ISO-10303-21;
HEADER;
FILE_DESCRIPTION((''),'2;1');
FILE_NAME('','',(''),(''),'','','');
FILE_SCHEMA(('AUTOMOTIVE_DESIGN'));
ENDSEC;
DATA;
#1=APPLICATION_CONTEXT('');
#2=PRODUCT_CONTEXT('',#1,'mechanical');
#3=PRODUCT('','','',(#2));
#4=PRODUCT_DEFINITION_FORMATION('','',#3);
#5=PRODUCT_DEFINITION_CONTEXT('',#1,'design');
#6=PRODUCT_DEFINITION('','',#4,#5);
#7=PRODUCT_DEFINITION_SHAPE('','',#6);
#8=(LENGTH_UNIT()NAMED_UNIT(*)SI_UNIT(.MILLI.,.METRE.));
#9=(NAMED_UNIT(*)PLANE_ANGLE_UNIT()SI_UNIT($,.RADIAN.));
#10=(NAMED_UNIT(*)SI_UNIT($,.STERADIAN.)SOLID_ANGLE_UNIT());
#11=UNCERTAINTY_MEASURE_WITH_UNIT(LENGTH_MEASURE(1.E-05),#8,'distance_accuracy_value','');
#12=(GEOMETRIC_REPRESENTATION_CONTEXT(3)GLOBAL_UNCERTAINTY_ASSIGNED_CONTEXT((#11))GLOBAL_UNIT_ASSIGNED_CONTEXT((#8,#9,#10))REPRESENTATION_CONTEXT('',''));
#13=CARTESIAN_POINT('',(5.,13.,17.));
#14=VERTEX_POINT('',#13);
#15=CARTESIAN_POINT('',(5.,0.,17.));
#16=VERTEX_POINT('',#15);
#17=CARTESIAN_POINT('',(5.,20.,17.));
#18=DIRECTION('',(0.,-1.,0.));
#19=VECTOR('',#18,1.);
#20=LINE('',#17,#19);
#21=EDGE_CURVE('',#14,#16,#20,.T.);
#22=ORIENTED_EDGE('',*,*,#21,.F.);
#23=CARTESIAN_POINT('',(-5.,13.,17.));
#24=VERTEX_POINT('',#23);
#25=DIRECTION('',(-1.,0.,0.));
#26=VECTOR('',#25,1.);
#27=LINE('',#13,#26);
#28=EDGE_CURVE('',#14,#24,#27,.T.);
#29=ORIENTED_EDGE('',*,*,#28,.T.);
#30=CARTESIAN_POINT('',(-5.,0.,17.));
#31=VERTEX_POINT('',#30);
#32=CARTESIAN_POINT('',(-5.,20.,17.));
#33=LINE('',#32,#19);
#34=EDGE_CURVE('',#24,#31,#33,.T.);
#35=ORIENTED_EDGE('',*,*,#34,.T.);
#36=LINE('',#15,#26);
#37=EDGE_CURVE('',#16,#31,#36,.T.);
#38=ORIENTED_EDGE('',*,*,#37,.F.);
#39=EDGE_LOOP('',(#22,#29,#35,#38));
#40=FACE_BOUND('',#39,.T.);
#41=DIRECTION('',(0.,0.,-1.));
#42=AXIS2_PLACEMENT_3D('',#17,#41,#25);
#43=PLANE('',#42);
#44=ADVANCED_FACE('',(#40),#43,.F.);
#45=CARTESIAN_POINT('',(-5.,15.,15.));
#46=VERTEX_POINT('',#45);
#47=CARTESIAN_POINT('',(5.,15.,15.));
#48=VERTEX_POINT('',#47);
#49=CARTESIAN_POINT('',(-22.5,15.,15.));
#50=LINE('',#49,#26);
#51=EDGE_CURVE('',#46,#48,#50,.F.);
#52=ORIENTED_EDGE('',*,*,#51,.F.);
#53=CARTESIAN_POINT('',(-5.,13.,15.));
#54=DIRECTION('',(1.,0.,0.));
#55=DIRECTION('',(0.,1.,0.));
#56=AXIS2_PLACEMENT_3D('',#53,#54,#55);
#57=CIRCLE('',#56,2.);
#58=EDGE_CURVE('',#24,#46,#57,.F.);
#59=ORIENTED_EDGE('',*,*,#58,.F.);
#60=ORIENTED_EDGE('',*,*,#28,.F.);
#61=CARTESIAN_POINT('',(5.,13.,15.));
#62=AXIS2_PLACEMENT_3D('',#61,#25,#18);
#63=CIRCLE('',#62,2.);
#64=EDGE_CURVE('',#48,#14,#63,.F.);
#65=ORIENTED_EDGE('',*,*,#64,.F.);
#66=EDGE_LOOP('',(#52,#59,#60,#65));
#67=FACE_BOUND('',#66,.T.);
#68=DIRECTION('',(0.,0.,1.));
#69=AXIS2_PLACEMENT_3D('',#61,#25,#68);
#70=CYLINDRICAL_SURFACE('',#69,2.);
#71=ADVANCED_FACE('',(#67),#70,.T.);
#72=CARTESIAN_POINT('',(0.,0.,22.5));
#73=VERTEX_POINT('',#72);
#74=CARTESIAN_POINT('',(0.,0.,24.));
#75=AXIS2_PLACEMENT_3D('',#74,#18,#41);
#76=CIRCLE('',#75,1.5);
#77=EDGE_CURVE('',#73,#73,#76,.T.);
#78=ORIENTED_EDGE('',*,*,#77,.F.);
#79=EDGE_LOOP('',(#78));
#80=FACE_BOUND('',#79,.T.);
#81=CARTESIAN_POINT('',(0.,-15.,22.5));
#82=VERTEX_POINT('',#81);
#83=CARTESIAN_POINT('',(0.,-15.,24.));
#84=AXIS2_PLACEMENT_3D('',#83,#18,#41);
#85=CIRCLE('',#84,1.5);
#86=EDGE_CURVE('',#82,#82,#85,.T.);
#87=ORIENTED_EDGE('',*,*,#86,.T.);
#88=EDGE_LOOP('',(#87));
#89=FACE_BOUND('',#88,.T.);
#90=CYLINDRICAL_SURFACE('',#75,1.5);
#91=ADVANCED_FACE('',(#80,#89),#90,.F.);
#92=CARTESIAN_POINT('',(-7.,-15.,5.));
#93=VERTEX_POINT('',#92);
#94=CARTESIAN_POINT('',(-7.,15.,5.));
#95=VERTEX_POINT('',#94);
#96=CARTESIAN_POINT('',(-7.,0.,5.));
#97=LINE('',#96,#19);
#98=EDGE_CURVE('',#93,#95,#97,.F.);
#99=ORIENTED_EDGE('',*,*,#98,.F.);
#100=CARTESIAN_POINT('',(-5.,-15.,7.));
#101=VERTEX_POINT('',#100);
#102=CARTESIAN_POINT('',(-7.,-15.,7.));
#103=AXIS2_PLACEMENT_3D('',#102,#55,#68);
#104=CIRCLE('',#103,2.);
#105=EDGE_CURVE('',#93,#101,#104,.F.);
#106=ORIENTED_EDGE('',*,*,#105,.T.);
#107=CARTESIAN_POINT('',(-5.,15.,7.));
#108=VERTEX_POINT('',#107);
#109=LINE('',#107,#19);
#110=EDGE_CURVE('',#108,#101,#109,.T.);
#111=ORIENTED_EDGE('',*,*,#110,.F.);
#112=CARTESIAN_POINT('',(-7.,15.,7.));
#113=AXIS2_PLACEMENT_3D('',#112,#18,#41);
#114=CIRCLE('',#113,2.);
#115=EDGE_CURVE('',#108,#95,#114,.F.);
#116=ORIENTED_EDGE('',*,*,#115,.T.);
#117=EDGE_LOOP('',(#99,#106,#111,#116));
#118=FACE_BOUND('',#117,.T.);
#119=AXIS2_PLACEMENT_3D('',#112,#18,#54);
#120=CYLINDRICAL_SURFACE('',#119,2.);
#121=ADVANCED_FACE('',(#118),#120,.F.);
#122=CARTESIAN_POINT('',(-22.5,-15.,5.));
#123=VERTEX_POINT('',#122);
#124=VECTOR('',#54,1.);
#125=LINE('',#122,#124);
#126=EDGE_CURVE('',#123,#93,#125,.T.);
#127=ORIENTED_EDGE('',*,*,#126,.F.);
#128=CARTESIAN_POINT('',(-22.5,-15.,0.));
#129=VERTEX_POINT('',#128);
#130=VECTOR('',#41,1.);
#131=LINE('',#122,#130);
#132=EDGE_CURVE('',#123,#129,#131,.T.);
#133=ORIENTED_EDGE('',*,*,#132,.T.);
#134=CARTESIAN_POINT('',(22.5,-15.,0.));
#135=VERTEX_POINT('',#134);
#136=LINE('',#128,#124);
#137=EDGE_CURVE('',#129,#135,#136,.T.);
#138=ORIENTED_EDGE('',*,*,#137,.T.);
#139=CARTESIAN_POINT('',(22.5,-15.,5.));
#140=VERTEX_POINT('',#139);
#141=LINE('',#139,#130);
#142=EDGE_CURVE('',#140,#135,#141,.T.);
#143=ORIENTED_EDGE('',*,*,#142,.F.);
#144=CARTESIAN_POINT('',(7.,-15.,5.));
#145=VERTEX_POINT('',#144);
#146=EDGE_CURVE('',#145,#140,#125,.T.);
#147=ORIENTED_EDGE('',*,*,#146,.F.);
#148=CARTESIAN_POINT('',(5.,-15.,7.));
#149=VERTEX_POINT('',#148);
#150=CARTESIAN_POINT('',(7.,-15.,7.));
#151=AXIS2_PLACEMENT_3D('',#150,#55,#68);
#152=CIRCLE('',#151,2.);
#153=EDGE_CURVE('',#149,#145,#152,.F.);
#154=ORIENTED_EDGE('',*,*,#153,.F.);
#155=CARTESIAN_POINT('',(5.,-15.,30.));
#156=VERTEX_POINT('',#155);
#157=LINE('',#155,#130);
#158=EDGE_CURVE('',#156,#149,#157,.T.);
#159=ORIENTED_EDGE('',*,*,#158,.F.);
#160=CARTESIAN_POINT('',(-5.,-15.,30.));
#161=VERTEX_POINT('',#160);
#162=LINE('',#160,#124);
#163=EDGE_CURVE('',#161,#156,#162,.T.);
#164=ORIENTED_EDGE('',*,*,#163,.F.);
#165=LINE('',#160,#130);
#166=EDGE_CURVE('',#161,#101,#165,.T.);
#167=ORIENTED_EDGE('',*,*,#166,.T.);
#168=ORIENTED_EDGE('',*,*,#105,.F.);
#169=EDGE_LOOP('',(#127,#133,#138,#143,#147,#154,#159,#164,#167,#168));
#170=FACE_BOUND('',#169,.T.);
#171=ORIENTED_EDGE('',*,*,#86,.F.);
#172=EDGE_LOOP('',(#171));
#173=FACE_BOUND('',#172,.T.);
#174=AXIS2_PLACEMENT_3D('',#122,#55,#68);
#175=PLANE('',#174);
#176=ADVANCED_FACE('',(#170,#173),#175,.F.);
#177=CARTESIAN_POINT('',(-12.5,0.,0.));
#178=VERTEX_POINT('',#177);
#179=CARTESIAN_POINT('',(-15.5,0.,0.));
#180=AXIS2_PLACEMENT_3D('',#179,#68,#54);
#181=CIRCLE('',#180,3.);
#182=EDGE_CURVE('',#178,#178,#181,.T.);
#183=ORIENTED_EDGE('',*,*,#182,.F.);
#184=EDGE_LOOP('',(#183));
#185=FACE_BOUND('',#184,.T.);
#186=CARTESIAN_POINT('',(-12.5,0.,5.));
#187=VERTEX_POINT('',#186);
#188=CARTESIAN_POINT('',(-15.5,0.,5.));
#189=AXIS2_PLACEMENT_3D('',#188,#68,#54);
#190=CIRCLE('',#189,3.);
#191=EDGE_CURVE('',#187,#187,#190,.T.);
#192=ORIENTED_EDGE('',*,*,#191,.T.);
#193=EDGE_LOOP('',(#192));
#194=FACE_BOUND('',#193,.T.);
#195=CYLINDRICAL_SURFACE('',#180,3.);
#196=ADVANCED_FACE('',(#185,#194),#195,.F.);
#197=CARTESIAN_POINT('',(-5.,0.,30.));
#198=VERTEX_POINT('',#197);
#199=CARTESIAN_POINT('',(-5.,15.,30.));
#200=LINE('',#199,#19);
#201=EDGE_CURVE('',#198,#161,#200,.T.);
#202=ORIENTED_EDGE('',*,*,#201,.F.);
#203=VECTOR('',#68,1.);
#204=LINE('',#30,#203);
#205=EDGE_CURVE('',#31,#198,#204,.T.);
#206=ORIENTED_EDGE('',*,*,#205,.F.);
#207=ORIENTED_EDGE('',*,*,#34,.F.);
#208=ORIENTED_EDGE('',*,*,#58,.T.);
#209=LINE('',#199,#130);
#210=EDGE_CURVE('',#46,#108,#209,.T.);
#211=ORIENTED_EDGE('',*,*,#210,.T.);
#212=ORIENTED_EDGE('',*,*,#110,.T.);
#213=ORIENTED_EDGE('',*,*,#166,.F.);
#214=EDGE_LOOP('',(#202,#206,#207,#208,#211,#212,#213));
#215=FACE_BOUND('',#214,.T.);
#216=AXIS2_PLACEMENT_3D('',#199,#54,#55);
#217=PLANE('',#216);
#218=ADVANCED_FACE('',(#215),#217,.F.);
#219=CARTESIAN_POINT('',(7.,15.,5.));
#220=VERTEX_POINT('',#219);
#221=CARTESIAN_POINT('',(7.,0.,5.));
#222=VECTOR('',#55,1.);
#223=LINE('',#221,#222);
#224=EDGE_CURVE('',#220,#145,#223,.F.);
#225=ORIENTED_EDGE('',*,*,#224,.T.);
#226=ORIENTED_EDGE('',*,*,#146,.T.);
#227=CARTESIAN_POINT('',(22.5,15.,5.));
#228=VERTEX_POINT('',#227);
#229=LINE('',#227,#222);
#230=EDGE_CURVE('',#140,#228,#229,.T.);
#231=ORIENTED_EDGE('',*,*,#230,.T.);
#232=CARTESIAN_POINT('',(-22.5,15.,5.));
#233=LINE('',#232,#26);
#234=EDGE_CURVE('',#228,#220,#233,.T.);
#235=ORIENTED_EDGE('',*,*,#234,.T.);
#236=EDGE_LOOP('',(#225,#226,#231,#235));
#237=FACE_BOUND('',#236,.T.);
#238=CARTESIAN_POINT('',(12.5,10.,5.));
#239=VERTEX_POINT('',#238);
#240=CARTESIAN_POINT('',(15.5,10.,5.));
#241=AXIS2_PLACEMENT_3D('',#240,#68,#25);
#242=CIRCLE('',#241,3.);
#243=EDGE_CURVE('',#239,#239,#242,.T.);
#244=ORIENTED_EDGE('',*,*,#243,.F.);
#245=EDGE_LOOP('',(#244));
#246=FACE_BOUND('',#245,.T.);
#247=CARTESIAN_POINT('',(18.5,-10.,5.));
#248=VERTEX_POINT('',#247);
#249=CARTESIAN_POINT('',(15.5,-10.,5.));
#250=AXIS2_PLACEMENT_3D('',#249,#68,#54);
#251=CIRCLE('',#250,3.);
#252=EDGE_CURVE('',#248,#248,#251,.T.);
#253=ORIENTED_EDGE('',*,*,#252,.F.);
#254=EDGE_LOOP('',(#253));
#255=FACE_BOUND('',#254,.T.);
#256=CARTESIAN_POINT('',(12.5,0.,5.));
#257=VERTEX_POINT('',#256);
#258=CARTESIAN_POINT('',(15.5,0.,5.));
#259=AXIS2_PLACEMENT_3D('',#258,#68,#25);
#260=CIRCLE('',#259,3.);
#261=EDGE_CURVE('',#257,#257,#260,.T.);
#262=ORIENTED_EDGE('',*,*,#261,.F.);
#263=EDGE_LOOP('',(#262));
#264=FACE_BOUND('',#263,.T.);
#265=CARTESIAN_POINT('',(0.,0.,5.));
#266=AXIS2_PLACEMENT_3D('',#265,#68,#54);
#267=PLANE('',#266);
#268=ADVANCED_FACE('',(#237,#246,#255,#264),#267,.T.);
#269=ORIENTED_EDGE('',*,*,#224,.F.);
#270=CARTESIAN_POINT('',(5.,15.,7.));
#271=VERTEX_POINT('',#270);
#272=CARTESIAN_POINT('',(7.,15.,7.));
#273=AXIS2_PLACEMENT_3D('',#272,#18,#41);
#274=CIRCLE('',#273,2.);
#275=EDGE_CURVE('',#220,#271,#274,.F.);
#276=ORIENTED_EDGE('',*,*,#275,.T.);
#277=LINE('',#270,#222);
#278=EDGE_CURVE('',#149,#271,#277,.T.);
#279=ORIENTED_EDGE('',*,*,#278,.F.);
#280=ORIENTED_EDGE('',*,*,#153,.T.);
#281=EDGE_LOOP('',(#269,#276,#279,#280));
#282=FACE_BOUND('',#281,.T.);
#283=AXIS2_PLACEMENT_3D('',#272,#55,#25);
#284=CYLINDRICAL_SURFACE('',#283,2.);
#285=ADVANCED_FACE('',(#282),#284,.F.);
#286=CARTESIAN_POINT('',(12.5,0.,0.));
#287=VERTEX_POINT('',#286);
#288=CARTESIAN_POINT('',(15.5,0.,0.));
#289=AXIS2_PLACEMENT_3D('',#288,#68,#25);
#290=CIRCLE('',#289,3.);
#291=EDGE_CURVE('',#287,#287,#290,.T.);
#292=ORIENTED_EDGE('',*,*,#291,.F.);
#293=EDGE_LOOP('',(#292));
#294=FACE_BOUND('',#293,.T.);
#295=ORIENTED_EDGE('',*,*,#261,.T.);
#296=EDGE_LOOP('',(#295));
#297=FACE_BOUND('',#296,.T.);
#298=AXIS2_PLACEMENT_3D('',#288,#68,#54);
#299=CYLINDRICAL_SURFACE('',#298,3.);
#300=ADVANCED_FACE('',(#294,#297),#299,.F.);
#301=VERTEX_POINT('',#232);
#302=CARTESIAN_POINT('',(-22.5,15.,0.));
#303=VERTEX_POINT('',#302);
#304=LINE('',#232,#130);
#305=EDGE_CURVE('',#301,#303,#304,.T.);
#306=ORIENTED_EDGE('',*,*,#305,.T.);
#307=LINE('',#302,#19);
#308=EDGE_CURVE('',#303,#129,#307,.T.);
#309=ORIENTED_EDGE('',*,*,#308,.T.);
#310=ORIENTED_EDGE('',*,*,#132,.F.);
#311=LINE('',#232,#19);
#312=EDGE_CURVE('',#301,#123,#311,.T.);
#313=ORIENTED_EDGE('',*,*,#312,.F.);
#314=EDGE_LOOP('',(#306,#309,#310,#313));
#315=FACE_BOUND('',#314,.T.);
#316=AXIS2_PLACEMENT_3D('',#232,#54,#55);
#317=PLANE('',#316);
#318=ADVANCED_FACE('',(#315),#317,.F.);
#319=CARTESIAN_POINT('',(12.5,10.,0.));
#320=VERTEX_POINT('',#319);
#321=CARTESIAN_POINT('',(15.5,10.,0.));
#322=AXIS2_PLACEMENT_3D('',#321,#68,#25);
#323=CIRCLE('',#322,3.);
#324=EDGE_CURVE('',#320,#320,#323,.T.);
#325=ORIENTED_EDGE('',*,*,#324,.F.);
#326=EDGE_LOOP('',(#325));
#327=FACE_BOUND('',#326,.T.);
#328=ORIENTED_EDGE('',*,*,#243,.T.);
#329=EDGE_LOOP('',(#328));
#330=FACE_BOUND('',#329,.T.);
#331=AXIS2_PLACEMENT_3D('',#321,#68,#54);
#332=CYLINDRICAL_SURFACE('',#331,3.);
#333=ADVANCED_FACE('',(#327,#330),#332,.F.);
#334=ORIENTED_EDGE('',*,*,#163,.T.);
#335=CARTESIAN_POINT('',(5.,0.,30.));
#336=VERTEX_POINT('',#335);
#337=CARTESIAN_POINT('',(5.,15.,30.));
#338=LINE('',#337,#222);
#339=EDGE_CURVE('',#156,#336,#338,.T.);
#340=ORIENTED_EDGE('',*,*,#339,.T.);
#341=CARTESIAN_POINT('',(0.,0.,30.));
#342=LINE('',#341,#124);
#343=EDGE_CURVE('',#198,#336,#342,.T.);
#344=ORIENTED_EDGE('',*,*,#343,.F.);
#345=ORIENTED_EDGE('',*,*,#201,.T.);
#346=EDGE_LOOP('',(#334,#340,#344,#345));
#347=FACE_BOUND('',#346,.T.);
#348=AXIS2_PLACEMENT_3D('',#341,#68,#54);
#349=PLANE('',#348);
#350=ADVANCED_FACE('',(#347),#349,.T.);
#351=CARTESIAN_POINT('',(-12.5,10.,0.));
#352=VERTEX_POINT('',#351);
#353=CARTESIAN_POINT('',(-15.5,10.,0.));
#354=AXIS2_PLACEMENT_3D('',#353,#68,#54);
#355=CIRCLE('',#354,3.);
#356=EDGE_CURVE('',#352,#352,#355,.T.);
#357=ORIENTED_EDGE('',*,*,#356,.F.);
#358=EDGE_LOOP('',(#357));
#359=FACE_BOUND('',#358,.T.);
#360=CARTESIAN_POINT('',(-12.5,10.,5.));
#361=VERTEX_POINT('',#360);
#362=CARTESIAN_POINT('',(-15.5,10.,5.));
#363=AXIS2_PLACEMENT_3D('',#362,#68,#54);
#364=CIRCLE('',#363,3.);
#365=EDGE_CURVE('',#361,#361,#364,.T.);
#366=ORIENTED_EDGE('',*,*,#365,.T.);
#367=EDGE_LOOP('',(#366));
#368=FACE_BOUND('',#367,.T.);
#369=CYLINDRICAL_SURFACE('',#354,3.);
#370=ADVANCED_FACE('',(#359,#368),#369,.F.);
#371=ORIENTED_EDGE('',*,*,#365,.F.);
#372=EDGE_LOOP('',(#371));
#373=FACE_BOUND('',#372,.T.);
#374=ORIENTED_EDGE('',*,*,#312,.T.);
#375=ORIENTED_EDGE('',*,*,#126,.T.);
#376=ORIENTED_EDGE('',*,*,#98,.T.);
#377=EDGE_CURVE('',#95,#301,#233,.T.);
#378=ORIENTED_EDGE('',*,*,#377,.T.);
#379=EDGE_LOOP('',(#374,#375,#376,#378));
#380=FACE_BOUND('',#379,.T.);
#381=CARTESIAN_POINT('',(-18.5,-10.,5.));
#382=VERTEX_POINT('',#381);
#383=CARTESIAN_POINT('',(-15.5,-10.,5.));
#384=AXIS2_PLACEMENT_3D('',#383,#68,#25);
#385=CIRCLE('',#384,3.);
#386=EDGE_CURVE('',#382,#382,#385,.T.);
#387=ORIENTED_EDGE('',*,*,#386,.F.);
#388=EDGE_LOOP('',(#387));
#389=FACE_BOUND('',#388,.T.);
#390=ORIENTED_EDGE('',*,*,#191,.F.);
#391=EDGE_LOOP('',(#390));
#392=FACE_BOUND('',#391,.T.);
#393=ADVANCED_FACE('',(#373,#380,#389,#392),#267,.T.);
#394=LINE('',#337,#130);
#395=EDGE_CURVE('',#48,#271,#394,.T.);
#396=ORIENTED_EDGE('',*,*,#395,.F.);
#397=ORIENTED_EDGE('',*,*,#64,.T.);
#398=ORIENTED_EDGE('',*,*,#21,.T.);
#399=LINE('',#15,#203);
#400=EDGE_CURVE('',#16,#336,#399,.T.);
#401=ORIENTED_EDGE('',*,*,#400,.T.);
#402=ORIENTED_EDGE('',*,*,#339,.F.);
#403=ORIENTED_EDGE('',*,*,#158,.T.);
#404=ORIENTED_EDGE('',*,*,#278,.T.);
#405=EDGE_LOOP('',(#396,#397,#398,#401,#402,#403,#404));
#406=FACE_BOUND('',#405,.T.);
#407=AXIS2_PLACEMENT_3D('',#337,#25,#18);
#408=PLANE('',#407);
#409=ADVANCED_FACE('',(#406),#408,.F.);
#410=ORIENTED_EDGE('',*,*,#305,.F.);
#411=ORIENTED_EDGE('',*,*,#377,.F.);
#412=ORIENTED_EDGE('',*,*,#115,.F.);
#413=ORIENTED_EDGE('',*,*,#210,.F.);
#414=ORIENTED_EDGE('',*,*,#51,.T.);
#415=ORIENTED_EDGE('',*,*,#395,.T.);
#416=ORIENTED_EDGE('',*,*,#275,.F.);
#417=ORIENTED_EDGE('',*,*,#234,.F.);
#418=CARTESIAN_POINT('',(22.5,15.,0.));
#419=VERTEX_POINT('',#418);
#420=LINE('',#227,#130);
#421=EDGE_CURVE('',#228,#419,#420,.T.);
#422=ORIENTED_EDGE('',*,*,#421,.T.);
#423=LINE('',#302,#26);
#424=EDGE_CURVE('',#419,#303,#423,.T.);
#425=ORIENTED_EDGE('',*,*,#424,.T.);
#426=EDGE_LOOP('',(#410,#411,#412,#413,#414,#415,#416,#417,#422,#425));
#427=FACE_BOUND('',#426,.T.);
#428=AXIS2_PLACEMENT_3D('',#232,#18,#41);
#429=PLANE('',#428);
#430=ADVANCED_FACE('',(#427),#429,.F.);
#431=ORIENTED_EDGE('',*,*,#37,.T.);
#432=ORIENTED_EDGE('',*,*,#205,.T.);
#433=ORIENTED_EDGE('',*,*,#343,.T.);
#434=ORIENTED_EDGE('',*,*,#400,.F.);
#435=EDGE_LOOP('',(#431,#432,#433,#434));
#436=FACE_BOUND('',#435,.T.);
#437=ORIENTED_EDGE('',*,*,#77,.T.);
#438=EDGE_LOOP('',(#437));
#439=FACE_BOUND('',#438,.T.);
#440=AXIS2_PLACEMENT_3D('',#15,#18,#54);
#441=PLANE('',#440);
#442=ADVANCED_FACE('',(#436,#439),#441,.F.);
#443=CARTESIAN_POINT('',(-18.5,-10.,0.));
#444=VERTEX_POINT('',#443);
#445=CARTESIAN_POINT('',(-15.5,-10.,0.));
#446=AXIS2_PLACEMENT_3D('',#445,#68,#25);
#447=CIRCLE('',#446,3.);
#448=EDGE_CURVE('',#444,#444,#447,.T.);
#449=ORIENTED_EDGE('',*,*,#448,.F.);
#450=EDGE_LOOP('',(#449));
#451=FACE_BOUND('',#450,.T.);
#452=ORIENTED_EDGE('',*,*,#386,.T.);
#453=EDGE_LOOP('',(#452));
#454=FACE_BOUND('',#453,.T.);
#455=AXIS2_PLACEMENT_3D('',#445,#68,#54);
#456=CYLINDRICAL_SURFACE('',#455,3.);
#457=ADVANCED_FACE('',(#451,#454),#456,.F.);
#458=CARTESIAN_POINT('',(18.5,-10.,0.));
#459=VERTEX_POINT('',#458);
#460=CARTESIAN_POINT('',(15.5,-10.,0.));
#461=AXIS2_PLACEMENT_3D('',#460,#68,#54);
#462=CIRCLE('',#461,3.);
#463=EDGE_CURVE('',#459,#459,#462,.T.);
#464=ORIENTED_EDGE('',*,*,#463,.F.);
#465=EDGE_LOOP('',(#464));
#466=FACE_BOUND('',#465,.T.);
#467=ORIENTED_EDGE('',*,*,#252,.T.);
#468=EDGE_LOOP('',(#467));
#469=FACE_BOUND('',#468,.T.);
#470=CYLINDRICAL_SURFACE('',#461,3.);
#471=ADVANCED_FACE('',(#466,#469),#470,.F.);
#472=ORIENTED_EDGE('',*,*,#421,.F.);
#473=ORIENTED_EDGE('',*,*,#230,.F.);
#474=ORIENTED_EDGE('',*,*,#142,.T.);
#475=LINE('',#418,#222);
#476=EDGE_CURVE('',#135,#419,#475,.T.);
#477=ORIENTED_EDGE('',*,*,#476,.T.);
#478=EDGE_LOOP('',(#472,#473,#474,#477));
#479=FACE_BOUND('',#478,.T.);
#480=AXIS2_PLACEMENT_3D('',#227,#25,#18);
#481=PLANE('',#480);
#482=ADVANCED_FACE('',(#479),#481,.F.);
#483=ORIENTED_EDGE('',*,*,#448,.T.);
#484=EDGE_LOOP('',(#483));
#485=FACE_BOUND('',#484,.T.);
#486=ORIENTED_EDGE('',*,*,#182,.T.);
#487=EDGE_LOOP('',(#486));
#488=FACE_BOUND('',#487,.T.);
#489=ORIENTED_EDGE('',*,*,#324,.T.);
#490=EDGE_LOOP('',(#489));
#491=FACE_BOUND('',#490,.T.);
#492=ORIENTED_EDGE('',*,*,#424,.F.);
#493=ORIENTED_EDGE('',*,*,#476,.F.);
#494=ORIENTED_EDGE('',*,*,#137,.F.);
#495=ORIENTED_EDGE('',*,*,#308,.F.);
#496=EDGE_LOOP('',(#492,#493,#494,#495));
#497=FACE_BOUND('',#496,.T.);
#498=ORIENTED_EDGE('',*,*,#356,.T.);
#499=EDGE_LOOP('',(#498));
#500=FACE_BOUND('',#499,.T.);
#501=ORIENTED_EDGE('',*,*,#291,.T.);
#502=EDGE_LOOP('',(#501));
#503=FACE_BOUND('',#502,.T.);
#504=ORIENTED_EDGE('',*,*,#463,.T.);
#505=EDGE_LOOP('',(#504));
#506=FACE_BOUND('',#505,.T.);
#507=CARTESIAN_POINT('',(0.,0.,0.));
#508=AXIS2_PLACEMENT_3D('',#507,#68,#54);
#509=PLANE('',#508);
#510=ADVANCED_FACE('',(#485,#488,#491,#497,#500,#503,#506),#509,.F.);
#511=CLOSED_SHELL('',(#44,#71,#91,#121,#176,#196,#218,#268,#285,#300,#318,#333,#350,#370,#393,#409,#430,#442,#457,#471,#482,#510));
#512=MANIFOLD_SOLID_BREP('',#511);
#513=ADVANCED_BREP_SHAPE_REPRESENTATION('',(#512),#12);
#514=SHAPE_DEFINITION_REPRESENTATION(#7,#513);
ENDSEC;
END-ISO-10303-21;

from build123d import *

# Parameters (mm, degrees)
SKETCH1_W           = 45
SKETCH1_H           = 30
BASE_DEPTH          = 5
SKETCH2_W           = 10
SKETCH2_H           = 30
BOSS_EXTRUDE2_DEPTH = 25
SKETCH5_R           = 1.5
CABLE_HOLE_DEPTH    = 15
SKETCH9_R           = 3
SCREW_DEPTH         = 5
SKETCH10_W          = 15
SKETCH10_H          = 20
CUT_EXTRUDE8_DEPTH  = 10
FILLET5_R           = 2
FILLET6_R           = 2
FILLET7_R           = 2


with BuildPart() as part:
    # Sketch1 → Base (new body)
    with BuildSketch(Plane.XY):
        Rectangle(SKETCH1_W, SKETCH1_H)
    extrude(amount=BASE_DEPTH)

    # Sketch2 → Boss-Extrude2 (add)
    with BuildSketch(Plane.XY.offset(5)):
        Rectangle(SKETCH2_W, SKETCH2_H)
    extrude(amount=BOSS_EXTRUDE2_DEPTH)

    # Sketch5 → Cable hole (cut)
    with BuildSketch(Plane.XZ.offset(15)):
        with Locations((0, 24)):
            Circle(SKETCH5_R)
    extrude(amount=-CABLE_HOLE_DEPTH, mode=Mode.SUBTRACT)

    # Sketch9 → Screw (cut)
    with BuildSketch(Plane.XY.offset(5)):
        with Locations((-15.5, 10)):
            Circle(SKETCH9_R)
        with Locations((-15.5, 0)):
            Circle(SKETCH9_R)
        with Locations((-15.5, -10)):
            Circle(SKETCH9_R)
        with Locations((15.5, -10)):
            Circle(SKETCH9_R)
        with Locations((15.5, 0)):
            Circle(SKETCH9_R)
        with Locations((15.5, 10)):
            Circle(SKETCH9_R)
    extrude(amount=-SCREW_DEPTH, mode=Mode.SUBTRACT)

    # Sketch10 → Cut-Extrude8 (cut)
    with BuildSketch(Plane.ZY.offset(5)):
        with Locations((24.5, 10)):
            Rectangle(SKETCH10_W, SKETCH10_H)
    extrude(amount=-CUT_EXTRUDE8_DEPTH, mode=Mode.SUBTRACT)

    # Fillet5
    fillet5_edges = [part.edges().sort_by_distance(p)[0] for p in [
        (0, 15, 17),
    ]]
    fillet(fillet5_edges, radius=FILLET5_R)

    # Fillet6
    fillet6_edges = [part.edges().sort_by_distance(p)[0] for p in [
        (-5, 0, 5),
    ]]
    fillet(fillet6_edges, radius=FILLET6_R)

    # Fillet7
    fillet7_edges = [part.edges().sort_by_distance(p)[0] for p in [
        (5, 0, 5),
    ]]
    fillet(fillet7_edges, radius=FILLET7_R)


solid = part.part
